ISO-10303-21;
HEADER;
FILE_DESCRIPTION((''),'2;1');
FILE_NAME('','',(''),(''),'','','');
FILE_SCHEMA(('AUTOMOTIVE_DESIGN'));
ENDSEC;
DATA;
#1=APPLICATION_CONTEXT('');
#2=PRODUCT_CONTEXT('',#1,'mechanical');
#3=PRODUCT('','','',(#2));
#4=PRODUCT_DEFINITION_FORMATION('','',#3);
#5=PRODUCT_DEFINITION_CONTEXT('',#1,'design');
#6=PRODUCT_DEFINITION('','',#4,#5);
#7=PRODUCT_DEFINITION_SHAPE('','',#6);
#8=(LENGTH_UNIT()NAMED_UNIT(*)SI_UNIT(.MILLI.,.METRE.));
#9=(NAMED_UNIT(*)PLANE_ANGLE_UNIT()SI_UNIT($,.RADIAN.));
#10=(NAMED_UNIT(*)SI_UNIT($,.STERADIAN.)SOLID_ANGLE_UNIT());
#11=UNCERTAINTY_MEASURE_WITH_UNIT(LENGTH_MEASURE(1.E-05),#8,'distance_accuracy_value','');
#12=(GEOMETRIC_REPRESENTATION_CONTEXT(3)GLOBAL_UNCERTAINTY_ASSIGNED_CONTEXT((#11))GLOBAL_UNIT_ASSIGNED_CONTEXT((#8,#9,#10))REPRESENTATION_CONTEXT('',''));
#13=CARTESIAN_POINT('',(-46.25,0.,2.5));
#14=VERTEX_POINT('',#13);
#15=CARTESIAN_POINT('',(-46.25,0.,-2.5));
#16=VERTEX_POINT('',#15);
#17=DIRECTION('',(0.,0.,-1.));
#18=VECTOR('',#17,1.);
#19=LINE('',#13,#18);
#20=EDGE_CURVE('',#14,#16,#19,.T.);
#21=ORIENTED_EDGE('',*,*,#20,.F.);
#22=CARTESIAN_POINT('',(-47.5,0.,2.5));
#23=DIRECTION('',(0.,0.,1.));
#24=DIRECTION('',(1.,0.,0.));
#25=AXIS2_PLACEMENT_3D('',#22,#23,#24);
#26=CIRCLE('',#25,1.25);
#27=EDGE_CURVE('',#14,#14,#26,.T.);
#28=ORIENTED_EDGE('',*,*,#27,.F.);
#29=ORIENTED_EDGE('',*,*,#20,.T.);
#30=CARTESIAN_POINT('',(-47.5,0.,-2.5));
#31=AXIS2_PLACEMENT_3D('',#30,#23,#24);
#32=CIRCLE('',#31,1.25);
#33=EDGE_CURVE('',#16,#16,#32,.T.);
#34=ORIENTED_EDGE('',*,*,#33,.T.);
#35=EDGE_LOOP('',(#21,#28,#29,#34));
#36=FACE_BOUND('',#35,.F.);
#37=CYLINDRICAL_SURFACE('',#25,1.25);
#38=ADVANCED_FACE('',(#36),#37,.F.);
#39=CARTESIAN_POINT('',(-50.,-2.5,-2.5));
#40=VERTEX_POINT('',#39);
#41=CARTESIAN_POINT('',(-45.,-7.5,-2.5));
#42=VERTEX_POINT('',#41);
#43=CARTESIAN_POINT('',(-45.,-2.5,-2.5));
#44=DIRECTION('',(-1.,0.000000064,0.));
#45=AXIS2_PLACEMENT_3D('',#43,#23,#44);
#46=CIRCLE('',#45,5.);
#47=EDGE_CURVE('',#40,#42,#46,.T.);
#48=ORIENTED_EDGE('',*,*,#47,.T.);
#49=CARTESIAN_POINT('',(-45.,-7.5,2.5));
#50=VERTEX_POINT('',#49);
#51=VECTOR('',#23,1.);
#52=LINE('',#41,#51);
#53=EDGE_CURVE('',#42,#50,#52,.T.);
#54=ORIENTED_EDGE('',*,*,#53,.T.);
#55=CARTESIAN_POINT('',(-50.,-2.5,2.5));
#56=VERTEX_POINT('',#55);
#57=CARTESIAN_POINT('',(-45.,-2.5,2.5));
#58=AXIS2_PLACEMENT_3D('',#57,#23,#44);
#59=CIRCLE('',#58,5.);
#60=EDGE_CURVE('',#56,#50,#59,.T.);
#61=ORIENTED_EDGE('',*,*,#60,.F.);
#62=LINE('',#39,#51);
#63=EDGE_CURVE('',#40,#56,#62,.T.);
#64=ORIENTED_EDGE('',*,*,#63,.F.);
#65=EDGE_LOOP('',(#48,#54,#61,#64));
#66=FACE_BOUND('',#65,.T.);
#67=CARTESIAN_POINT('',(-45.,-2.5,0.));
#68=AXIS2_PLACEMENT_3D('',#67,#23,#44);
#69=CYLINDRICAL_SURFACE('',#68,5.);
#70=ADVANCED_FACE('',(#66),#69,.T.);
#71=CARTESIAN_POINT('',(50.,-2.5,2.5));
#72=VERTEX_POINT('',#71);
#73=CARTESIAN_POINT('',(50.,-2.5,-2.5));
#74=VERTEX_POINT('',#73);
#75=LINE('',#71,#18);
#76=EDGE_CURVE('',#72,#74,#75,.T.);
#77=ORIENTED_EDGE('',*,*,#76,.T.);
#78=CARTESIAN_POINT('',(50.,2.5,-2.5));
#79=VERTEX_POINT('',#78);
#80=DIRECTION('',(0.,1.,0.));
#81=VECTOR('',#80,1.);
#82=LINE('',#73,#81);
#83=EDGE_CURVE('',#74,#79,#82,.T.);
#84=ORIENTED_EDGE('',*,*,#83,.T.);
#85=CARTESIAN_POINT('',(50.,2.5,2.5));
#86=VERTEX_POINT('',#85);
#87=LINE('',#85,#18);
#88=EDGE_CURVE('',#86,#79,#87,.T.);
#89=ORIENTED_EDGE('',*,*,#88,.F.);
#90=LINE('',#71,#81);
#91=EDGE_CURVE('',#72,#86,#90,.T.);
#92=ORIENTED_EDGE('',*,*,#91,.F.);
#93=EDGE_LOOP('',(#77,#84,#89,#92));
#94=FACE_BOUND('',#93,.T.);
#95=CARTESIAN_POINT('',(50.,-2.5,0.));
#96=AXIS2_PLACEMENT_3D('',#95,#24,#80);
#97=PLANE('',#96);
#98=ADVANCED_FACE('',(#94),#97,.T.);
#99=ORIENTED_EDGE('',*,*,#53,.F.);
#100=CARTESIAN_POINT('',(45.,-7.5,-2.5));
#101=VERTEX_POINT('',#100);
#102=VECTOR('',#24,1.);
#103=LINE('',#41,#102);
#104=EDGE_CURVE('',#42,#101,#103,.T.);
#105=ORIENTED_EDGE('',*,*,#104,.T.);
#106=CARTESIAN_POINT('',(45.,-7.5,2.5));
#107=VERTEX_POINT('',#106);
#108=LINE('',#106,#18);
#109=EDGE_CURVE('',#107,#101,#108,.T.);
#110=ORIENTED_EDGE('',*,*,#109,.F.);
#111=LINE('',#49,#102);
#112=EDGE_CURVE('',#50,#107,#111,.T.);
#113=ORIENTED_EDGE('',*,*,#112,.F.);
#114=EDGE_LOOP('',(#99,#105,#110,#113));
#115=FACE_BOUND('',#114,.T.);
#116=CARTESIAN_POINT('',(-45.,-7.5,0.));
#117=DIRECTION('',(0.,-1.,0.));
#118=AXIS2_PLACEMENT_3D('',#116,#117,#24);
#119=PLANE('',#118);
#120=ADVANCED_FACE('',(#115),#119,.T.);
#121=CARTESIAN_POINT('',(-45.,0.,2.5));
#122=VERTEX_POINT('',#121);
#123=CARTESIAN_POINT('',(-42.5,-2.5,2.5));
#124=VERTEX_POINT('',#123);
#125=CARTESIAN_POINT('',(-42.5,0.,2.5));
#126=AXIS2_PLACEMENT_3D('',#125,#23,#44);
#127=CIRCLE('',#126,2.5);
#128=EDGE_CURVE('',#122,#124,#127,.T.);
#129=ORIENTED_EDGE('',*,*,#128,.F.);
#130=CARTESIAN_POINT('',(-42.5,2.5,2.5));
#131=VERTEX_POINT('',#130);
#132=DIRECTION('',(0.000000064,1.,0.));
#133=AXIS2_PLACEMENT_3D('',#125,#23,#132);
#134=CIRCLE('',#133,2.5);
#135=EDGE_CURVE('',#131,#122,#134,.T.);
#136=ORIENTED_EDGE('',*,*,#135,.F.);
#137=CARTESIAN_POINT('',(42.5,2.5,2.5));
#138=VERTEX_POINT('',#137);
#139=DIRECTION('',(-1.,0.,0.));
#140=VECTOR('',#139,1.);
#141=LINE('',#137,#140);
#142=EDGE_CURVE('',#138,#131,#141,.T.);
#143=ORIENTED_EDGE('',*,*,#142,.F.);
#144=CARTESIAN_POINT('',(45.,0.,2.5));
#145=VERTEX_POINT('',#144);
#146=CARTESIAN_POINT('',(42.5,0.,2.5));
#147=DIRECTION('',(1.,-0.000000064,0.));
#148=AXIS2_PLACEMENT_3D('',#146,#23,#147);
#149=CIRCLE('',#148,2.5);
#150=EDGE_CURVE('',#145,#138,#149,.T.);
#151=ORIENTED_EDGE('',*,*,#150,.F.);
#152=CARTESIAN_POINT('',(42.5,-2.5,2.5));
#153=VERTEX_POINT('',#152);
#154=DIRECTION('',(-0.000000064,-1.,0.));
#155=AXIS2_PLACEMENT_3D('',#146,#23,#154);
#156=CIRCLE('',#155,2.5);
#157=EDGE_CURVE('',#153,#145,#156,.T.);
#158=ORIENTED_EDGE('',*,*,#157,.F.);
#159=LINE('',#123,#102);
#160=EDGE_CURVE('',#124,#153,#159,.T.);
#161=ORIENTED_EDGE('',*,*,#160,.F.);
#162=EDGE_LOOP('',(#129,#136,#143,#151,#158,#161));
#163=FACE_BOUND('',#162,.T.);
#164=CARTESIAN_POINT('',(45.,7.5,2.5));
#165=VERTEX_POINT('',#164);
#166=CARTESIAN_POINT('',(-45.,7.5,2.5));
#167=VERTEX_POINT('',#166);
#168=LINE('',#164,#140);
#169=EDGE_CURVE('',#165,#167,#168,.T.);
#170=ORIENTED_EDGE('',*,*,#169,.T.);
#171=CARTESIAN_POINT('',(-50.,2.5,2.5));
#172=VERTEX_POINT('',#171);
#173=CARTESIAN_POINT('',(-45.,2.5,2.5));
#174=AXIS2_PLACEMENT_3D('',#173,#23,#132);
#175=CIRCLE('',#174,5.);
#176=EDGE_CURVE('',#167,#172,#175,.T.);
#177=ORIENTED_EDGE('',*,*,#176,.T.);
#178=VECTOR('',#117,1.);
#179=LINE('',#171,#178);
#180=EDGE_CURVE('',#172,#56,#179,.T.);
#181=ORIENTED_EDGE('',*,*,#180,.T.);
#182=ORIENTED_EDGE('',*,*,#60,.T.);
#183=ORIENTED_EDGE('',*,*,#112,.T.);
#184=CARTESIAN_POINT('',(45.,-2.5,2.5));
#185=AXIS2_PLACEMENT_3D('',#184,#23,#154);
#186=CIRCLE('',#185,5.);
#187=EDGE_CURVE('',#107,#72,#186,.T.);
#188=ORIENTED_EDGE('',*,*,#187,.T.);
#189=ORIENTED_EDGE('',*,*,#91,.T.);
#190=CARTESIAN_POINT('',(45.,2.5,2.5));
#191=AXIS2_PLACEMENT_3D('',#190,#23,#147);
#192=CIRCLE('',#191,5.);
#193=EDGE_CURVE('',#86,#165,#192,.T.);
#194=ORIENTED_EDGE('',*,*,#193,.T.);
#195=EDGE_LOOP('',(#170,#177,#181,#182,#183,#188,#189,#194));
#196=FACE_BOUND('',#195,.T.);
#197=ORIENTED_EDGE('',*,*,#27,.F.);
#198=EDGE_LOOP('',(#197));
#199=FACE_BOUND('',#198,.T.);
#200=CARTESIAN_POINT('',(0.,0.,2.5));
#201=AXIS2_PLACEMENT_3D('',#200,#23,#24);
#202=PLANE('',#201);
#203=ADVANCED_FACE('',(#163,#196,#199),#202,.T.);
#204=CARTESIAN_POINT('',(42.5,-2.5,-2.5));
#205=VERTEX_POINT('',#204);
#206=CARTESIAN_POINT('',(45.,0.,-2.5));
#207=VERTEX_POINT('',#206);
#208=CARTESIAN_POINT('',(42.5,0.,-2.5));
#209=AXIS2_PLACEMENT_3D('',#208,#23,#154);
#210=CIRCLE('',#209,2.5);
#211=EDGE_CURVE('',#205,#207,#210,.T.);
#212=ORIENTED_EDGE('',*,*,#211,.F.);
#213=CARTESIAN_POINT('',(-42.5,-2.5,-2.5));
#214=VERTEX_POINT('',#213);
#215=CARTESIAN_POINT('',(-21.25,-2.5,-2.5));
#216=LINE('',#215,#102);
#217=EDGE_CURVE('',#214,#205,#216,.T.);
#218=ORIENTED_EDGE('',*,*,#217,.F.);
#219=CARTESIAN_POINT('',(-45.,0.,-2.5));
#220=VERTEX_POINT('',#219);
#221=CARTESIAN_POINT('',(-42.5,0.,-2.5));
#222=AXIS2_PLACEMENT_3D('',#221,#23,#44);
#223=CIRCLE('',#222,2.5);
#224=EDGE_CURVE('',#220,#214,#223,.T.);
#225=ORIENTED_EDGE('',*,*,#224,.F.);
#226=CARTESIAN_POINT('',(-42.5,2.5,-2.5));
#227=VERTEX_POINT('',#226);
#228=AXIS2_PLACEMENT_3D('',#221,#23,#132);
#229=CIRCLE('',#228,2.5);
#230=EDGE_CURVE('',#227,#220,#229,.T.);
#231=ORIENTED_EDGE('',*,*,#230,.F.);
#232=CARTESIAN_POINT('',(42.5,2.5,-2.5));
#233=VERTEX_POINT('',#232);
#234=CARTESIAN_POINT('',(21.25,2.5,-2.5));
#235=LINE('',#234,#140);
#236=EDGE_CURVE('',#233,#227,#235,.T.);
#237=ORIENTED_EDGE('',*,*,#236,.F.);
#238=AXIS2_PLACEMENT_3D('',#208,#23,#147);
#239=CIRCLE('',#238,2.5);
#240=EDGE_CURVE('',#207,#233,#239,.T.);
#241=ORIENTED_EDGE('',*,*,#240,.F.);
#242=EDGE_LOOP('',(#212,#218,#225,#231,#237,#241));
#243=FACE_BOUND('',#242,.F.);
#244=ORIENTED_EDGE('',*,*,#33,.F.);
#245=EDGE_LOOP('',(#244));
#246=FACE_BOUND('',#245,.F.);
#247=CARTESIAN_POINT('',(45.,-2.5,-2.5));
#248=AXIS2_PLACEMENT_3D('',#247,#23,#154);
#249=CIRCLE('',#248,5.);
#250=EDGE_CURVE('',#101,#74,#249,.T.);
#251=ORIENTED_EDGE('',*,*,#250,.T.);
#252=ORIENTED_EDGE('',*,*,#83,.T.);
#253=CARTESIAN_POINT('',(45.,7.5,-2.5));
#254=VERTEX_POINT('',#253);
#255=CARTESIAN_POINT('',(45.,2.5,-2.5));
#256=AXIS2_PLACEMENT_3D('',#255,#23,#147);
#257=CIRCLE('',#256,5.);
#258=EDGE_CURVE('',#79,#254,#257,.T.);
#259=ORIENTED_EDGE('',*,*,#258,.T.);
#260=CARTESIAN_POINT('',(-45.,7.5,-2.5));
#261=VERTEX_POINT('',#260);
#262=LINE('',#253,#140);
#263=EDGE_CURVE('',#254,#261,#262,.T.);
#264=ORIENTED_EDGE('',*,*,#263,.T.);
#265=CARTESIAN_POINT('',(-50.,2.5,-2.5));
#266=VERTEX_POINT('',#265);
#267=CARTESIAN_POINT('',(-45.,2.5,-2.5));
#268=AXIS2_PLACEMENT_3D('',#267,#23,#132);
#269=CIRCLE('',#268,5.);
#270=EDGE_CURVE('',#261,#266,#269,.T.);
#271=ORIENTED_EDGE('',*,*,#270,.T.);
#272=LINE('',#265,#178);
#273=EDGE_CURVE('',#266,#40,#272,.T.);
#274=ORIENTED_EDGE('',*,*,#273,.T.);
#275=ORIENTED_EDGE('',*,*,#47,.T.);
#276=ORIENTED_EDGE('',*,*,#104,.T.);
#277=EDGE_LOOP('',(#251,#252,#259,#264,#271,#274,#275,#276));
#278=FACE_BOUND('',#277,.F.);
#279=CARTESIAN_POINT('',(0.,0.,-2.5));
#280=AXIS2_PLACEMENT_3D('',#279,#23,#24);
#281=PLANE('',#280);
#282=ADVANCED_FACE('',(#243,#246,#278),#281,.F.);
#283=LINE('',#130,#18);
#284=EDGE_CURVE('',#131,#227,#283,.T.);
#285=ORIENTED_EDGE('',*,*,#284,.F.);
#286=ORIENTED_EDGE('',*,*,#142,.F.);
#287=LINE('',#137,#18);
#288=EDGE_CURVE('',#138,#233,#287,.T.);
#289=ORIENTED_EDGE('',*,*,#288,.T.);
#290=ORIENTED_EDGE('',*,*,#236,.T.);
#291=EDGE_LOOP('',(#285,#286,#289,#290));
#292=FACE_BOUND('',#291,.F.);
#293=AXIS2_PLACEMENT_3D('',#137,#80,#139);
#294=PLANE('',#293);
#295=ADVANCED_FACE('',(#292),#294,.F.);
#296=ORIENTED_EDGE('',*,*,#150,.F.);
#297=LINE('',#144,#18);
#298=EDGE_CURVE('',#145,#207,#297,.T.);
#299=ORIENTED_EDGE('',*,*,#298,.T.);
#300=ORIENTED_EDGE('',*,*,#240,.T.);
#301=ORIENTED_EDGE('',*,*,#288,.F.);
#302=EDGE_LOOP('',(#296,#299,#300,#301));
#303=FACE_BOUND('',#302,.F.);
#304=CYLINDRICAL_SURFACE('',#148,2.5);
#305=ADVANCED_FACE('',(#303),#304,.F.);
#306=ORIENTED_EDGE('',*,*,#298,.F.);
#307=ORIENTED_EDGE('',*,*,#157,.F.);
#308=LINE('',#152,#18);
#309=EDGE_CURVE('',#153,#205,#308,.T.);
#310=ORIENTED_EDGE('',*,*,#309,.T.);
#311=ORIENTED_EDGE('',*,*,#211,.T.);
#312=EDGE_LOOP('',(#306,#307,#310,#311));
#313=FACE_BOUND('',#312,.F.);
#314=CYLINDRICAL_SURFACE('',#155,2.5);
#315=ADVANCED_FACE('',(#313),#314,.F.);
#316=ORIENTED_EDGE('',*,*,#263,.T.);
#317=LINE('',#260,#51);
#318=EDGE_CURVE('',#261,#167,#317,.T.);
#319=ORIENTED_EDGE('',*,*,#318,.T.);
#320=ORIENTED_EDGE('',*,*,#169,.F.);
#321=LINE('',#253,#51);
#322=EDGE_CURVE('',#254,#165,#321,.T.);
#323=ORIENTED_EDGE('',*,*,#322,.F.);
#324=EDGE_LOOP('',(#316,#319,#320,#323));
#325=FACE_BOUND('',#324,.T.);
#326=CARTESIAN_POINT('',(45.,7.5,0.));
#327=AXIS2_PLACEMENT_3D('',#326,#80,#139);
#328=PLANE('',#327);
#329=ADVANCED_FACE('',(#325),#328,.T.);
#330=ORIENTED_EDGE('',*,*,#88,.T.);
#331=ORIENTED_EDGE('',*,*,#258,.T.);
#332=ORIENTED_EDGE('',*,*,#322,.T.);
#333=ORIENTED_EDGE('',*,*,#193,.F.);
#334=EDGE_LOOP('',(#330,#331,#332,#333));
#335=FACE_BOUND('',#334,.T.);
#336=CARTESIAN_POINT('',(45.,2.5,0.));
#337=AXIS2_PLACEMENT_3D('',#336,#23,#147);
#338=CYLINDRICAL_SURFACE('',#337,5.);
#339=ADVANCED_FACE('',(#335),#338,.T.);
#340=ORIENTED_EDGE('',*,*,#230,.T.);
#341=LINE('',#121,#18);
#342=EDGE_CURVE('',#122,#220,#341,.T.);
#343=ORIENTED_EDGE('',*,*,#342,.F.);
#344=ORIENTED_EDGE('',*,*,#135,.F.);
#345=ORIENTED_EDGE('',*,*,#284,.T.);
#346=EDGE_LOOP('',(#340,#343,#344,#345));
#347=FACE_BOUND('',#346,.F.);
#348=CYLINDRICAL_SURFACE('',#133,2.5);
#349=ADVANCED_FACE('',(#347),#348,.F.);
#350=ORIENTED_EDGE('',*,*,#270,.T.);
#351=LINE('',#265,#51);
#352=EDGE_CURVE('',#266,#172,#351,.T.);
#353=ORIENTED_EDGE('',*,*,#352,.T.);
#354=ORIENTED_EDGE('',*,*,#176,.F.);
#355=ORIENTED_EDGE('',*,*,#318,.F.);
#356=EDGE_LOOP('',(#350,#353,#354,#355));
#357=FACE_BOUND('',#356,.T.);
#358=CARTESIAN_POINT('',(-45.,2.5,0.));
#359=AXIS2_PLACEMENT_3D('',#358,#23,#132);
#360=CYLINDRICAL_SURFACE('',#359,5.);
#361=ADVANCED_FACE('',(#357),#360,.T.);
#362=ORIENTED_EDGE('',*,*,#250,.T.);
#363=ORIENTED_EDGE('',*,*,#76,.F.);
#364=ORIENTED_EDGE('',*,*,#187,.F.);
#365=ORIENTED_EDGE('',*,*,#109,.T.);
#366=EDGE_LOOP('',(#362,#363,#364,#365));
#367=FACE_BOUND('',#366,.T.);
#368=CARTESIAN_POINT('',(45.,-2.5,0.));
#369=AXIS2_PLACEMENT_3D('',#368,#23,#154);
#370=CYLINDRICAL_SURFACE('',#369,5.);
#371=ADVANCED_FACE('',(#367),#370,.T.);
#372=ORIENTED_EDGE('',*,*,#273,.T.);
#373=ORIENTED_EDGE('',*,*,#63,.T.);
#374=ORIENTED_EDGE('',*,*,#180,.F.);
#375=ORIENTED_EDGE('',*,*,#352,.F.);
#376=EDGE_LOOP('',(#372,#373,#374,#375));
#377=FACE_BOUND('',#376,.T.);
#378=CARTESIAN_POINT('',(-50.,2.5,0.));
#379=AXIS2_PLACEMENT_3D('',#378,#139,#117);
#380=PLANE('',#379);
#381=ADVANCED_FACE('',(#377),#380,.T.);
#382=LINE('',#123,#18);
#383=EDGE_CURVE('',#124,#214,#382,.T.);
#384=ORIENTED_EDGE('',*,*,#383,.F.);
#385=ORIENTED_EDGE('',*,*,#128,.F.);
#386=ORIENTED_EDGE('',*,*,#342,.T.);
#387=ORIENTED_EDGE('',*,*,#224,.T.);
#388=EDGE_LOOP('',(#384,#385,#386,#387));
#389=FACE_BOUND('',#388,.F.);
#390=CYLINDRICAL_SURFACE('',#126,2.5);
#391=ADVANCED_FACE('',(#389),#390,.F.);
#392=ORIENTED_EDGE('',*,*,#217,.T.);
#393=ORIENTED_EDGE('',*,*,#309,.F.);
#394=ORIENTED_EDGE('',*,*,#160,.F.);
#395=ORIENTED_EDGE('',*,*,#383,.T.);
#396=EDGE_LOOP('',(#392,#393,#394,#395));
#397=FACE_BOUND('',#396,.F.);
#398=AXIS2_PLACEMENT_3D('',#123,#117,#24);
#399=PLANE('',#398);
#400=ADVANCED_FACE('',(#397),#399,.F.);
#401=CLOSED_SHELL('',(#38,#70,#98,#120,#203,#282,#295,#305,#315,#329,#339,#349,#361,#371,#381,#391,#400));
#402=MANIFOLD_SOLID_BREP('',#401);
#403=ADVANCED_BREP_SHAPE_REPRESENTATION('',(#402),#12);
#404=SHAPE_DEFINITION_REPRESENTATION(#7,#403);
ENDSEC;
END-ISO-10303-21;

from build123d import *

# Parameters (mm, degrees)
F1_DEPTH = 2.5
F3_DEPTH = 5.001
F4_R     = 1.25
F5_DEPTH = 5.001


with BuildPart() as f1:
    # F0 (on Top) → F1 (new body, symmetric)
    with BuildSketch(Plane.XY):
        with BuildLine():
            ThreePointArc((50, 2.5), (48.535534, 6.035534), (45, 7.5))
            Line((45, 7.5), (-45, 7.5))
            ThreePointArc((-45, 7.5), (-48.535534, 6.035534), (-50, 2.5))
            Line((-50, 2.5), (-50, -2.5))
            ThreePointArc((-50, -2.5), (-48.535534, -6.035534), (-45, -7.5))
            Line((-45, -7.5), (45, -7.5))
            ThreePointArc((45, -7.5), (48.535534, -6.035534), (50, -2.5))
            Line((50, -2.5), (50, 2.5))
        make_face()
    extrude(amount=F1_DEPTH, both=True)

    # F2 (on face) → F3 (cut, through all)
    with BuildSketch(Plane.XY.offset(2.5)):
        with BuildLine():
            Line((42.5, 2.5), (-42.5, 2.5))
            ThreePointArc((-42.5, 2.5), (-44.267767, 1.767767), (-45, 0))
            ThreePointArc((-45, 0), (-44.267767, -1.767767), (-42.5, -2.5))
            Line((-42.5, -2.5), (42.5, -2.5))
            ThreePointArc((42.5, -2.5), (44.267767, -1.767767), (45, 0))
            ThreePointArc((45, 0), (44.267767, 1.767767), (42.5, 2.5))
        make_face()
    extrude(amount=-F3_DEPTH, mode=Mode.SUBTRACT)

    # F4 (on face) → F5 (cut, through all)
    with BuildSketch(Plane.XY.offset(2.5)):
        with Locations((-47.5, 0)):
            Circle(F4_R)
    extrude(amount=-F5_DEPTH, mode=Mode.SUBTRACT)


solid = f1.part
